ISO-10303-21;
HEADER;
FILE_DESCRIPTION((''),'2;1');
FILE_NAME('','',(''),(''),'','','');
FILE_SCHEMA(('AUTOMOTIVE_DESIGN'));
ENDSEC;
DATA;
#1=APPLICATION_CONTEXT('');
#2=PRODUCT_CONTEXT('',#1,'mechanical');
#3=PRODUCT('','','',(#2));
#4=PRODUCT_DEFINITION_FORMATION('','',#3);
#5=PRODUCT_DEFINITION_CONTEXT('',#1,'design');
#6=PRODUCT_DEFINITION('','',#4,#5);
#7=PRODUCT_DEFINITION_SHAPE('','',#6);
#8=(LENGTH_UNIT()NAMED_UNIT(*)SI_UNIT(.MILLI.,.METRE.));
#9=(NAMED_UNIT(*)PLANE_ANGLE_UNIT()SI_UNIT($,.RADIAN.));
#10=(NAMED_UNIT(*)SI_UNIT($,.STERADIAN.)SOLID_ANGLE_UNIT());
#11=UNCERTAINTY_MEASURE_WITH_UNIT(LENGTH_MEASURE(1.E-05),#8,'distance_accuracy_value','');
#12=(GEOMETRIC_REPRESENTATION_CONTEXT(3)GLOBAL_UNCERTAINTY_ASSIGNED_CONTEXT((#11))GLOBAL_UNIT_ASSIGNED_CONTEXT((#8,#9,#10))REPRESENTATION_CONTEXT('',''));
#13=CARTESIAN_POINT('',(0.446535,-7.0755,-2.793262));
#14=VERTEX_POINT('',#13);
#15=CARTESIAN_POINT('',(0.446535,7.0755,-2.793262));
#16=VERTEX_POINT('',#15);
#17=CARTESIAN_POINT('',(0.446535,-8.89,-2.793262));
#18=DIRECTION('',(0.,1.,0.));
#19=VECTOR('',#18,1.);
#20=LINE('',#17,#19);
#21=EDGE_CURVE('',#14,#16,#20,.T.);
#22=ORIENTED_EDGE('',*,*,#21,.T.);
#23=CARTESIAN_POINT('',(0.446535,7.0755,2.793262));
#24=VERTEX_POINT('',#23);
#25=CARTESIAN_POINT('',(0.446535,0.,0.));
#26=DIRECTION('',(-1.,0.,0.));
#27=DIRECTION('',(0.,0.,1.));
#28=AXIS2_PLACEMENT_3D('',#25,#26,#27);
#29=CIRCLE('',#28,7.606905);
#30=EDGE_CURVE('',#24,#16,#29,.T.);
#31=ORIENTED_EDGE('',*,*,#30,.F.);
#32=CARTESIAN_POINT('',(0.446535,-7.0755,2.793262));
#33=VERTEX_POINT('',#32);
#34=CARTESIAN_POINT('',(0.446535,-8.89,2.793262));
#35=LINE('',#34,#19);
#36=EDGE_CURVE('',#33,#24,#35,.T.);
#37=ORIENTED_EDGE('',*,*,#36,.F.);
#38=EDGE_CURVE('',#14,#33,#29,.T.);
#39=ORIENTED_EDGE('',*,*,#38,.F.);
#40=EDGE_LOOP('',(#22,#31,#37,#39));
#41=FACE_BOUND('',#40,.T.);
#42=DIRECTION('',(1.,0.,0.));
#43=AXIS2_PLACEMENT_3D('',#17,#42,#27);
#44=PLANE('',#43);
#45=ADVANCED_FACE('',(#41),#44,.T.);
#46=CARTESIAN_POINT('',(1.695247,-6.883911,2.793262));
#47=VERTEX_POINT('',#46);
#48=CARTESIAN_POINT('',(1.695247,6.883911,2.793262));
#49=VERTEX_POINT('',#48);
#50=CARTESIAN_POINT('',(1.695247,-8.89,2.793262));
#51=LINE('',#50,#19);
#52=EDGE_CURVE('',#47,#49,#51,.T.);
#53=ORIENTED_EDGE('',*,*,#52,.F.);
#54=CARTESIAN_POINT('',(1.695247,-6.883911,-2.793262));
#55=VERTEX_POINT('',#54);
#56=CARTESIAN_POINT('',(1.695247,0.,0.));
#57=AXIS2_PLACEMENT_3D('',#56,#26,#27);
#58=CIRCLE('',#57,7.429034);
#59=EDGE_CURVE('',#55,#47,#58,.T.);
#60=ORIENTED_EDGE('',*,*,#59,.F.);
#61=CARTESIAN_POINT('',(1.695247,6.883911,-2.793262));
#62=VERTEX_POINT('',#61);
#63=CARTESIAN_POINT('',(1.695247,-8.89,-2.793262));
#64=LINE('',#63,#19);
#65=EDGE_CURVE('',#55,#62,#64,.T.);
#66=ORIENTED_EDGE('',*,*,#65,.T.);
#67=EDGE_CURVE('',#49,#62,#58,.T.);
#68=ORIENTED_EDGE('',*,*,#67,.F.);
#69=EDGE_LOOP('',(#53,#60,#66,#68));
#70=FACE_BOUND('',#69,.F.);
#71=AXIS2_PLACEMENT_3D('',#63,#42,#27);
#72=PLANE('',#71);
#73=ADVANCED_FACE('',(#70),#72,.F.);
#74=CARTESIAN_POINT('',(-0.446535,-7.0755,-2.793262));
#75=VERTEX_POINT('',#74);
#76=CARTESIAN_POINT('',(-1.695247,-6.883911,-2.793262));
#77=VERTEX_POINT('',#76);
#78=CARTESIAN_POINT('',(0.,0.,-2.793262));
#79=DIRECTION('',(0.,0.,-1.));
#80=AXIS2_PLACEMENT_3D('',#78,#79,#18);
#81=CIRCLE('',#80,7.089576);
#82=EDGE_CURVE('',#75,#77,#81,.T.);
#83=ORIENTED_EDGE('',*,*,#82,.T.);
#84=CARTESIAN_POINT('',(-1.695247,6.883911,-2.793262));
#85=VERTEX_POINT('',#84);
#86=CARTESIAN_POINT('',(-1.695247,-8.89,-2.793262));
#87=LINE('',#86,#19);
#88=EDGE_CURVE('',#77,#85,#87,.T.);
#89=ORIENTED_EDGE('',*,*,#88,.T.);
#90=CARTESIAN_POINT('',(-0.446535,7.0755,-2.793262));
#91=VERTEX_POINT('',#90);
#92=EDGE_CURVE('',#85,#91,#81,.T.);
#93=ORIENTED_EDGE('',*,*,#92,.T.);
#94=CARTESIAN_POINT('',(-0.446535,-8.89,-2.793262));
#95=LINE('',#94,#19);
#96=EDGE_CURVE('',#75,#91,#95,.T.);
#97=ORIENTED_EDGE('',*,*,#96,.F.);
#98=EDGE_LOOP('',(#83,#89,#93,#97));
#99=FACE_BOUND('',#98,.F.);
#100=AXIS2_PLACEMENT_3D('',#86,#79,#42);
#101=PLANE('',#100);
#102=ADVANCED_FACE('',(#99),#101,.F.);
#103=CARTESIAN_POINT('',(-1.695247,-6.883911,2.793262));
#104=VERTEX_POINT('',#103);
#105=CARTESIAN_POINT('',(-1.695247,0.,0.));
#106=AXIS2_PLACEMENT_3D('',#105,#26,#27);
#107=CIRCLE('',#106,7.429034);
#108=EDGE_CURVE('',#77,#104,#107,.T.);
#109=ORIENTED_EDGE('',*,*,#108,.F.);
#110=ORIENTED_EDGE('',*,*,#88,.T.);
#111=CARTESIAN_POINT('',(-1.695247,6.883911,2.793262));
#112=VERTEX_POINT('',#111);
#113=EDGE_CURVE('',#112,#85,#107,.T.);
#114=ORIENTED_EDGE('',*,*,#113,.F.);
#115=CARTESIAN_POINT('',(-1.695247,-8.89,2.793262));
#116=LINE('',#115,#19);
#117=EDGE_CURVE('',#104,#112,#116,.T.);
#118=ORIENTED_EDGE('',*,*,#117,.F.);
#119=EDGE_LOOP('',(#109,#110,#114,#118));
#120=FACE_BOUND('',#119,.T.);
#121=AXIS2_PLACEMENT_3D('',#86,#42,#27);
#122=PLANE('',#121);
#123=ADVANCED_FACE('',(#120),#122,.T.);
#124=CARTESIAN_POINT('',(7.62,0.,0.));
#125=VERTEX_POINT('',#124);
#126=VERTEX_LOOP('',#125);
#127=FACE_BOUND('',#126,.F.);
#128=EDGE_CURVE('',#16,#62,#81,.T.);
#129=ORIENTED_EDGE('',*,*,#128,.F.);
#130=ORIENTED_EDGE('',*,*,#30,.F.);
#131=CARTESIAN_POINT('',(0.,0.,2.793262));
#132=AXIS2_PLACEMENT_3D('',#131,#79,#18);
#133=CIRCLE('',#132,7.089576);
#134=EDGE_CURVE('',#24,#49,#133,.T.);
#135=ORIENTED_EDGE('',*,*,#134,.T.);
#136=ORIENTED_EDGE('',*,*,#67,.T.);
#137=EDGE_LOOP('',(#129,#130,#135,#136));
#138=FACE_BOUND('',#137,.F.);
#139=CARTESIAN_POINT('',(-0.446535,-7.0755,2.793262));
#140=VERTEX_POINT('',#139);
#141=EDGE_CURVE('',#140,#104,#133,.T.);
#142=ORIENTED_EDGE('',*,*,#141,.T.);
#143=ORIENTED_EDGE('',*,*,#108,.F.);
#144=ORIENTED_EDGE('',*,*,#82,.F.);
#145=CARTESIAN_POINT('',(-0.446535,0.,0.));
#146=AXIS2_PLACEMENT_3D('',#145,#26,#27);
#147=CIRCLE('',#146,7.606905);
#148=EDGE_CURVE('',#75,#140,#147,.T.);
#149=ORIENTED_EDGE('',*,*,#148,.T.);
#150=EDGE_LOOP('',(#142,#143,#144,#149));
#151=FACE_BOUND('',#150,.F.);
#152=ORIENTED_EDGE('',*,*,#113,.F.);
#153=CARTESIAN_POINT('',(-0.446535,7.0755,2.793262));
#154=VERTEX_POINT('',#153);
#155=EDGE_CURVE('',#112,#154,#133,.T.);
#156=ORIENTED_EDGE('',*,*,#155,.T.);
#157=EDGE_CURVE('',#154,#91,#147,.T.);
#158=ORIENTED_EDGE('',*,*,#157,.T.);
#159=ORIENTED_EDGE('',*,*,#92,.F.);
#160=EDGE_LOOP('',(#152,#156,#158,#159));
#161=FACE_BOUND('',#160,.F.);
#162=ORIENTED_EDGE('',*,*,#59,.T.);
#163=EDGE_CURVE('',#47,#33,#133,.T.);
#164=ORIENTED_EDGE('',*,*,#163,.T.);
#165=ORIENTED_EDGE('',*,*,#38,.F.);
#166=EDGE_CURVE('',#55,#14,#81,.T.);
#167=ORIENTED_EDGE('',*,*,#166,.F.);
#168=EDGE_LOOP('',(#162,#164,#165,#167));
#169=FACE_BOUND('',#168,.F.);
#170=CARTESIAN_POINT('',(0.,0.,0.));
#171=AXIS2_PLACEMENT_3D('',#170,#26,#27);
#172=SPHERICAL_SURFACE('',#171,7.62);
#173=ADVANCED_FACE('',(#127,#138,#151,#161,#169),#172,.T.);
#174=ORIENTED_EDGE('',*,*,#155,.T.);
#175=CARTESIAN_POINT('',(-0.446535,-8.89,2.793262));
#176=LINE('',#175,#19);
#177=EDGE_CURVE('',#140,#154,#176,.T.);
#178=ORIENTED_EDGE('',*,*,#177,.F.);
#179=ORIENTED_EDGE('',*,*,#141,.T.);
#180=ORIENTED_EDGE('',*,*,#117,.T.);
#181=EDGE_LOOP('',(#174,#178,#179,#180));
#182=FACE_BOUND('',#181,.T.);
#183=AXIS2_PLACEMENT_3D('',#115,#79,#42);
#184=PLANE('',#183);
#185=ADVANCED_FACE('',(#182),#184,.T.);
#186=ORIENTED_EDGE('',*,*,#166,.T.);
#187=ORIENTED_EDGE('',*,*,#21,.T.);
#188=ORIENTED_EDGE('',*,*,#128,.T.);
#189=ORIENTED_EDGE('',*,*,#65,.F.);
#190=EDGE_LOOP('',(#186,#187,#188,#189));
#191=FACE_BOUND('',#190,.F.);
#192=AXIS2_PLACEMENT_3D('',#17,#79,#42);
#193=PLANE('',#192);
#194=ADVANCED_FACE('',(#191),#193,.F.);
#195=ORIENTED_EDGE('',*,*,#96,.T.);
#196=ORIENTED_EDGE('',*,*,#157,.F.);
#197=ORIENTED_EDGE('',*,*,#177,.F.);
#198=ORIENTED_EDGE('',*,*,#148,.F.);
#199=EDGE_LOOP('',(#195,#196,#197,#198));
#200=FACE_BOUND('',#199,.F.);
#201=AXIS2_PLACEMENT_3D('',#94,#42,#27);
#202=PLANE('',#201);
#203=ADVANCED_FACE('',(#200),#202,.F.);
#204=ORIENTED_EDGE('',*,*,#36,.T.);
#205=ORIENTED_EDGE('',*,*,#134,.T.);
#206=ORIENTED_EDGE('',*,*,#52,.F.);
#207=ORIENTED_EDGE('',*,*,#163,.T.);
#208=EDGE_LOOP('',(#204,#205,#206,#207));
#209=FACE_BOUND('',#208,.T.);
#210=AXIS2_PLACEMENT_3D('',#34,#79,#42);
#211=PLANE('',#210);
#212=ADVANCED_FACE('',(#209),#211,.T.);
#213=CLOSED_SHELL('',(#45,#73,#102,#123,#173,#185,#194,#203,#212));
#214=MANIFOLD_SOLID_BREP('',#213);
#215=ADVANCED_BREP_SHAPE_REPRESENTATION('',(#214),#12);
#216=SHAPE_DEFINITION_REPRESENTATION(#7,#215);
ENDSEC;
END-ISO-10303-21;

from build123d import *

# Parameters (mm, degrees)
F3_W     = 1.248711
F3_H     = 5.586524
F4_DEPTH = 25.4


with BuildPart() as f1:
    # F0 (on Front) → F1 (revolve)
    with BuildSketch(Plane.XZ):
        with BuildLine():
            Line((-7.62, 0), (7.62, 0))
            ThreePointArc((7.62, 0), (0, 7.62), (-7.62, 0))
        make_face()
    revolve(axis=Axis((0, 0, 0), (1, 0, 0)))

    # F3 (on offset) → F4 (cut)
    with BuildSketch(Plane.XZ.offset(8.89)):
        with Locations((-1.070891, 0)):
            Rectangle(F3_W, F3_H)
        with Locations((1.070891, 0)):
            Rectangle(F3_W, F3_H)
    extrude(amount=-F4_DEPTH, mode=Mode.SUBTRACT)


solid = f1.part
